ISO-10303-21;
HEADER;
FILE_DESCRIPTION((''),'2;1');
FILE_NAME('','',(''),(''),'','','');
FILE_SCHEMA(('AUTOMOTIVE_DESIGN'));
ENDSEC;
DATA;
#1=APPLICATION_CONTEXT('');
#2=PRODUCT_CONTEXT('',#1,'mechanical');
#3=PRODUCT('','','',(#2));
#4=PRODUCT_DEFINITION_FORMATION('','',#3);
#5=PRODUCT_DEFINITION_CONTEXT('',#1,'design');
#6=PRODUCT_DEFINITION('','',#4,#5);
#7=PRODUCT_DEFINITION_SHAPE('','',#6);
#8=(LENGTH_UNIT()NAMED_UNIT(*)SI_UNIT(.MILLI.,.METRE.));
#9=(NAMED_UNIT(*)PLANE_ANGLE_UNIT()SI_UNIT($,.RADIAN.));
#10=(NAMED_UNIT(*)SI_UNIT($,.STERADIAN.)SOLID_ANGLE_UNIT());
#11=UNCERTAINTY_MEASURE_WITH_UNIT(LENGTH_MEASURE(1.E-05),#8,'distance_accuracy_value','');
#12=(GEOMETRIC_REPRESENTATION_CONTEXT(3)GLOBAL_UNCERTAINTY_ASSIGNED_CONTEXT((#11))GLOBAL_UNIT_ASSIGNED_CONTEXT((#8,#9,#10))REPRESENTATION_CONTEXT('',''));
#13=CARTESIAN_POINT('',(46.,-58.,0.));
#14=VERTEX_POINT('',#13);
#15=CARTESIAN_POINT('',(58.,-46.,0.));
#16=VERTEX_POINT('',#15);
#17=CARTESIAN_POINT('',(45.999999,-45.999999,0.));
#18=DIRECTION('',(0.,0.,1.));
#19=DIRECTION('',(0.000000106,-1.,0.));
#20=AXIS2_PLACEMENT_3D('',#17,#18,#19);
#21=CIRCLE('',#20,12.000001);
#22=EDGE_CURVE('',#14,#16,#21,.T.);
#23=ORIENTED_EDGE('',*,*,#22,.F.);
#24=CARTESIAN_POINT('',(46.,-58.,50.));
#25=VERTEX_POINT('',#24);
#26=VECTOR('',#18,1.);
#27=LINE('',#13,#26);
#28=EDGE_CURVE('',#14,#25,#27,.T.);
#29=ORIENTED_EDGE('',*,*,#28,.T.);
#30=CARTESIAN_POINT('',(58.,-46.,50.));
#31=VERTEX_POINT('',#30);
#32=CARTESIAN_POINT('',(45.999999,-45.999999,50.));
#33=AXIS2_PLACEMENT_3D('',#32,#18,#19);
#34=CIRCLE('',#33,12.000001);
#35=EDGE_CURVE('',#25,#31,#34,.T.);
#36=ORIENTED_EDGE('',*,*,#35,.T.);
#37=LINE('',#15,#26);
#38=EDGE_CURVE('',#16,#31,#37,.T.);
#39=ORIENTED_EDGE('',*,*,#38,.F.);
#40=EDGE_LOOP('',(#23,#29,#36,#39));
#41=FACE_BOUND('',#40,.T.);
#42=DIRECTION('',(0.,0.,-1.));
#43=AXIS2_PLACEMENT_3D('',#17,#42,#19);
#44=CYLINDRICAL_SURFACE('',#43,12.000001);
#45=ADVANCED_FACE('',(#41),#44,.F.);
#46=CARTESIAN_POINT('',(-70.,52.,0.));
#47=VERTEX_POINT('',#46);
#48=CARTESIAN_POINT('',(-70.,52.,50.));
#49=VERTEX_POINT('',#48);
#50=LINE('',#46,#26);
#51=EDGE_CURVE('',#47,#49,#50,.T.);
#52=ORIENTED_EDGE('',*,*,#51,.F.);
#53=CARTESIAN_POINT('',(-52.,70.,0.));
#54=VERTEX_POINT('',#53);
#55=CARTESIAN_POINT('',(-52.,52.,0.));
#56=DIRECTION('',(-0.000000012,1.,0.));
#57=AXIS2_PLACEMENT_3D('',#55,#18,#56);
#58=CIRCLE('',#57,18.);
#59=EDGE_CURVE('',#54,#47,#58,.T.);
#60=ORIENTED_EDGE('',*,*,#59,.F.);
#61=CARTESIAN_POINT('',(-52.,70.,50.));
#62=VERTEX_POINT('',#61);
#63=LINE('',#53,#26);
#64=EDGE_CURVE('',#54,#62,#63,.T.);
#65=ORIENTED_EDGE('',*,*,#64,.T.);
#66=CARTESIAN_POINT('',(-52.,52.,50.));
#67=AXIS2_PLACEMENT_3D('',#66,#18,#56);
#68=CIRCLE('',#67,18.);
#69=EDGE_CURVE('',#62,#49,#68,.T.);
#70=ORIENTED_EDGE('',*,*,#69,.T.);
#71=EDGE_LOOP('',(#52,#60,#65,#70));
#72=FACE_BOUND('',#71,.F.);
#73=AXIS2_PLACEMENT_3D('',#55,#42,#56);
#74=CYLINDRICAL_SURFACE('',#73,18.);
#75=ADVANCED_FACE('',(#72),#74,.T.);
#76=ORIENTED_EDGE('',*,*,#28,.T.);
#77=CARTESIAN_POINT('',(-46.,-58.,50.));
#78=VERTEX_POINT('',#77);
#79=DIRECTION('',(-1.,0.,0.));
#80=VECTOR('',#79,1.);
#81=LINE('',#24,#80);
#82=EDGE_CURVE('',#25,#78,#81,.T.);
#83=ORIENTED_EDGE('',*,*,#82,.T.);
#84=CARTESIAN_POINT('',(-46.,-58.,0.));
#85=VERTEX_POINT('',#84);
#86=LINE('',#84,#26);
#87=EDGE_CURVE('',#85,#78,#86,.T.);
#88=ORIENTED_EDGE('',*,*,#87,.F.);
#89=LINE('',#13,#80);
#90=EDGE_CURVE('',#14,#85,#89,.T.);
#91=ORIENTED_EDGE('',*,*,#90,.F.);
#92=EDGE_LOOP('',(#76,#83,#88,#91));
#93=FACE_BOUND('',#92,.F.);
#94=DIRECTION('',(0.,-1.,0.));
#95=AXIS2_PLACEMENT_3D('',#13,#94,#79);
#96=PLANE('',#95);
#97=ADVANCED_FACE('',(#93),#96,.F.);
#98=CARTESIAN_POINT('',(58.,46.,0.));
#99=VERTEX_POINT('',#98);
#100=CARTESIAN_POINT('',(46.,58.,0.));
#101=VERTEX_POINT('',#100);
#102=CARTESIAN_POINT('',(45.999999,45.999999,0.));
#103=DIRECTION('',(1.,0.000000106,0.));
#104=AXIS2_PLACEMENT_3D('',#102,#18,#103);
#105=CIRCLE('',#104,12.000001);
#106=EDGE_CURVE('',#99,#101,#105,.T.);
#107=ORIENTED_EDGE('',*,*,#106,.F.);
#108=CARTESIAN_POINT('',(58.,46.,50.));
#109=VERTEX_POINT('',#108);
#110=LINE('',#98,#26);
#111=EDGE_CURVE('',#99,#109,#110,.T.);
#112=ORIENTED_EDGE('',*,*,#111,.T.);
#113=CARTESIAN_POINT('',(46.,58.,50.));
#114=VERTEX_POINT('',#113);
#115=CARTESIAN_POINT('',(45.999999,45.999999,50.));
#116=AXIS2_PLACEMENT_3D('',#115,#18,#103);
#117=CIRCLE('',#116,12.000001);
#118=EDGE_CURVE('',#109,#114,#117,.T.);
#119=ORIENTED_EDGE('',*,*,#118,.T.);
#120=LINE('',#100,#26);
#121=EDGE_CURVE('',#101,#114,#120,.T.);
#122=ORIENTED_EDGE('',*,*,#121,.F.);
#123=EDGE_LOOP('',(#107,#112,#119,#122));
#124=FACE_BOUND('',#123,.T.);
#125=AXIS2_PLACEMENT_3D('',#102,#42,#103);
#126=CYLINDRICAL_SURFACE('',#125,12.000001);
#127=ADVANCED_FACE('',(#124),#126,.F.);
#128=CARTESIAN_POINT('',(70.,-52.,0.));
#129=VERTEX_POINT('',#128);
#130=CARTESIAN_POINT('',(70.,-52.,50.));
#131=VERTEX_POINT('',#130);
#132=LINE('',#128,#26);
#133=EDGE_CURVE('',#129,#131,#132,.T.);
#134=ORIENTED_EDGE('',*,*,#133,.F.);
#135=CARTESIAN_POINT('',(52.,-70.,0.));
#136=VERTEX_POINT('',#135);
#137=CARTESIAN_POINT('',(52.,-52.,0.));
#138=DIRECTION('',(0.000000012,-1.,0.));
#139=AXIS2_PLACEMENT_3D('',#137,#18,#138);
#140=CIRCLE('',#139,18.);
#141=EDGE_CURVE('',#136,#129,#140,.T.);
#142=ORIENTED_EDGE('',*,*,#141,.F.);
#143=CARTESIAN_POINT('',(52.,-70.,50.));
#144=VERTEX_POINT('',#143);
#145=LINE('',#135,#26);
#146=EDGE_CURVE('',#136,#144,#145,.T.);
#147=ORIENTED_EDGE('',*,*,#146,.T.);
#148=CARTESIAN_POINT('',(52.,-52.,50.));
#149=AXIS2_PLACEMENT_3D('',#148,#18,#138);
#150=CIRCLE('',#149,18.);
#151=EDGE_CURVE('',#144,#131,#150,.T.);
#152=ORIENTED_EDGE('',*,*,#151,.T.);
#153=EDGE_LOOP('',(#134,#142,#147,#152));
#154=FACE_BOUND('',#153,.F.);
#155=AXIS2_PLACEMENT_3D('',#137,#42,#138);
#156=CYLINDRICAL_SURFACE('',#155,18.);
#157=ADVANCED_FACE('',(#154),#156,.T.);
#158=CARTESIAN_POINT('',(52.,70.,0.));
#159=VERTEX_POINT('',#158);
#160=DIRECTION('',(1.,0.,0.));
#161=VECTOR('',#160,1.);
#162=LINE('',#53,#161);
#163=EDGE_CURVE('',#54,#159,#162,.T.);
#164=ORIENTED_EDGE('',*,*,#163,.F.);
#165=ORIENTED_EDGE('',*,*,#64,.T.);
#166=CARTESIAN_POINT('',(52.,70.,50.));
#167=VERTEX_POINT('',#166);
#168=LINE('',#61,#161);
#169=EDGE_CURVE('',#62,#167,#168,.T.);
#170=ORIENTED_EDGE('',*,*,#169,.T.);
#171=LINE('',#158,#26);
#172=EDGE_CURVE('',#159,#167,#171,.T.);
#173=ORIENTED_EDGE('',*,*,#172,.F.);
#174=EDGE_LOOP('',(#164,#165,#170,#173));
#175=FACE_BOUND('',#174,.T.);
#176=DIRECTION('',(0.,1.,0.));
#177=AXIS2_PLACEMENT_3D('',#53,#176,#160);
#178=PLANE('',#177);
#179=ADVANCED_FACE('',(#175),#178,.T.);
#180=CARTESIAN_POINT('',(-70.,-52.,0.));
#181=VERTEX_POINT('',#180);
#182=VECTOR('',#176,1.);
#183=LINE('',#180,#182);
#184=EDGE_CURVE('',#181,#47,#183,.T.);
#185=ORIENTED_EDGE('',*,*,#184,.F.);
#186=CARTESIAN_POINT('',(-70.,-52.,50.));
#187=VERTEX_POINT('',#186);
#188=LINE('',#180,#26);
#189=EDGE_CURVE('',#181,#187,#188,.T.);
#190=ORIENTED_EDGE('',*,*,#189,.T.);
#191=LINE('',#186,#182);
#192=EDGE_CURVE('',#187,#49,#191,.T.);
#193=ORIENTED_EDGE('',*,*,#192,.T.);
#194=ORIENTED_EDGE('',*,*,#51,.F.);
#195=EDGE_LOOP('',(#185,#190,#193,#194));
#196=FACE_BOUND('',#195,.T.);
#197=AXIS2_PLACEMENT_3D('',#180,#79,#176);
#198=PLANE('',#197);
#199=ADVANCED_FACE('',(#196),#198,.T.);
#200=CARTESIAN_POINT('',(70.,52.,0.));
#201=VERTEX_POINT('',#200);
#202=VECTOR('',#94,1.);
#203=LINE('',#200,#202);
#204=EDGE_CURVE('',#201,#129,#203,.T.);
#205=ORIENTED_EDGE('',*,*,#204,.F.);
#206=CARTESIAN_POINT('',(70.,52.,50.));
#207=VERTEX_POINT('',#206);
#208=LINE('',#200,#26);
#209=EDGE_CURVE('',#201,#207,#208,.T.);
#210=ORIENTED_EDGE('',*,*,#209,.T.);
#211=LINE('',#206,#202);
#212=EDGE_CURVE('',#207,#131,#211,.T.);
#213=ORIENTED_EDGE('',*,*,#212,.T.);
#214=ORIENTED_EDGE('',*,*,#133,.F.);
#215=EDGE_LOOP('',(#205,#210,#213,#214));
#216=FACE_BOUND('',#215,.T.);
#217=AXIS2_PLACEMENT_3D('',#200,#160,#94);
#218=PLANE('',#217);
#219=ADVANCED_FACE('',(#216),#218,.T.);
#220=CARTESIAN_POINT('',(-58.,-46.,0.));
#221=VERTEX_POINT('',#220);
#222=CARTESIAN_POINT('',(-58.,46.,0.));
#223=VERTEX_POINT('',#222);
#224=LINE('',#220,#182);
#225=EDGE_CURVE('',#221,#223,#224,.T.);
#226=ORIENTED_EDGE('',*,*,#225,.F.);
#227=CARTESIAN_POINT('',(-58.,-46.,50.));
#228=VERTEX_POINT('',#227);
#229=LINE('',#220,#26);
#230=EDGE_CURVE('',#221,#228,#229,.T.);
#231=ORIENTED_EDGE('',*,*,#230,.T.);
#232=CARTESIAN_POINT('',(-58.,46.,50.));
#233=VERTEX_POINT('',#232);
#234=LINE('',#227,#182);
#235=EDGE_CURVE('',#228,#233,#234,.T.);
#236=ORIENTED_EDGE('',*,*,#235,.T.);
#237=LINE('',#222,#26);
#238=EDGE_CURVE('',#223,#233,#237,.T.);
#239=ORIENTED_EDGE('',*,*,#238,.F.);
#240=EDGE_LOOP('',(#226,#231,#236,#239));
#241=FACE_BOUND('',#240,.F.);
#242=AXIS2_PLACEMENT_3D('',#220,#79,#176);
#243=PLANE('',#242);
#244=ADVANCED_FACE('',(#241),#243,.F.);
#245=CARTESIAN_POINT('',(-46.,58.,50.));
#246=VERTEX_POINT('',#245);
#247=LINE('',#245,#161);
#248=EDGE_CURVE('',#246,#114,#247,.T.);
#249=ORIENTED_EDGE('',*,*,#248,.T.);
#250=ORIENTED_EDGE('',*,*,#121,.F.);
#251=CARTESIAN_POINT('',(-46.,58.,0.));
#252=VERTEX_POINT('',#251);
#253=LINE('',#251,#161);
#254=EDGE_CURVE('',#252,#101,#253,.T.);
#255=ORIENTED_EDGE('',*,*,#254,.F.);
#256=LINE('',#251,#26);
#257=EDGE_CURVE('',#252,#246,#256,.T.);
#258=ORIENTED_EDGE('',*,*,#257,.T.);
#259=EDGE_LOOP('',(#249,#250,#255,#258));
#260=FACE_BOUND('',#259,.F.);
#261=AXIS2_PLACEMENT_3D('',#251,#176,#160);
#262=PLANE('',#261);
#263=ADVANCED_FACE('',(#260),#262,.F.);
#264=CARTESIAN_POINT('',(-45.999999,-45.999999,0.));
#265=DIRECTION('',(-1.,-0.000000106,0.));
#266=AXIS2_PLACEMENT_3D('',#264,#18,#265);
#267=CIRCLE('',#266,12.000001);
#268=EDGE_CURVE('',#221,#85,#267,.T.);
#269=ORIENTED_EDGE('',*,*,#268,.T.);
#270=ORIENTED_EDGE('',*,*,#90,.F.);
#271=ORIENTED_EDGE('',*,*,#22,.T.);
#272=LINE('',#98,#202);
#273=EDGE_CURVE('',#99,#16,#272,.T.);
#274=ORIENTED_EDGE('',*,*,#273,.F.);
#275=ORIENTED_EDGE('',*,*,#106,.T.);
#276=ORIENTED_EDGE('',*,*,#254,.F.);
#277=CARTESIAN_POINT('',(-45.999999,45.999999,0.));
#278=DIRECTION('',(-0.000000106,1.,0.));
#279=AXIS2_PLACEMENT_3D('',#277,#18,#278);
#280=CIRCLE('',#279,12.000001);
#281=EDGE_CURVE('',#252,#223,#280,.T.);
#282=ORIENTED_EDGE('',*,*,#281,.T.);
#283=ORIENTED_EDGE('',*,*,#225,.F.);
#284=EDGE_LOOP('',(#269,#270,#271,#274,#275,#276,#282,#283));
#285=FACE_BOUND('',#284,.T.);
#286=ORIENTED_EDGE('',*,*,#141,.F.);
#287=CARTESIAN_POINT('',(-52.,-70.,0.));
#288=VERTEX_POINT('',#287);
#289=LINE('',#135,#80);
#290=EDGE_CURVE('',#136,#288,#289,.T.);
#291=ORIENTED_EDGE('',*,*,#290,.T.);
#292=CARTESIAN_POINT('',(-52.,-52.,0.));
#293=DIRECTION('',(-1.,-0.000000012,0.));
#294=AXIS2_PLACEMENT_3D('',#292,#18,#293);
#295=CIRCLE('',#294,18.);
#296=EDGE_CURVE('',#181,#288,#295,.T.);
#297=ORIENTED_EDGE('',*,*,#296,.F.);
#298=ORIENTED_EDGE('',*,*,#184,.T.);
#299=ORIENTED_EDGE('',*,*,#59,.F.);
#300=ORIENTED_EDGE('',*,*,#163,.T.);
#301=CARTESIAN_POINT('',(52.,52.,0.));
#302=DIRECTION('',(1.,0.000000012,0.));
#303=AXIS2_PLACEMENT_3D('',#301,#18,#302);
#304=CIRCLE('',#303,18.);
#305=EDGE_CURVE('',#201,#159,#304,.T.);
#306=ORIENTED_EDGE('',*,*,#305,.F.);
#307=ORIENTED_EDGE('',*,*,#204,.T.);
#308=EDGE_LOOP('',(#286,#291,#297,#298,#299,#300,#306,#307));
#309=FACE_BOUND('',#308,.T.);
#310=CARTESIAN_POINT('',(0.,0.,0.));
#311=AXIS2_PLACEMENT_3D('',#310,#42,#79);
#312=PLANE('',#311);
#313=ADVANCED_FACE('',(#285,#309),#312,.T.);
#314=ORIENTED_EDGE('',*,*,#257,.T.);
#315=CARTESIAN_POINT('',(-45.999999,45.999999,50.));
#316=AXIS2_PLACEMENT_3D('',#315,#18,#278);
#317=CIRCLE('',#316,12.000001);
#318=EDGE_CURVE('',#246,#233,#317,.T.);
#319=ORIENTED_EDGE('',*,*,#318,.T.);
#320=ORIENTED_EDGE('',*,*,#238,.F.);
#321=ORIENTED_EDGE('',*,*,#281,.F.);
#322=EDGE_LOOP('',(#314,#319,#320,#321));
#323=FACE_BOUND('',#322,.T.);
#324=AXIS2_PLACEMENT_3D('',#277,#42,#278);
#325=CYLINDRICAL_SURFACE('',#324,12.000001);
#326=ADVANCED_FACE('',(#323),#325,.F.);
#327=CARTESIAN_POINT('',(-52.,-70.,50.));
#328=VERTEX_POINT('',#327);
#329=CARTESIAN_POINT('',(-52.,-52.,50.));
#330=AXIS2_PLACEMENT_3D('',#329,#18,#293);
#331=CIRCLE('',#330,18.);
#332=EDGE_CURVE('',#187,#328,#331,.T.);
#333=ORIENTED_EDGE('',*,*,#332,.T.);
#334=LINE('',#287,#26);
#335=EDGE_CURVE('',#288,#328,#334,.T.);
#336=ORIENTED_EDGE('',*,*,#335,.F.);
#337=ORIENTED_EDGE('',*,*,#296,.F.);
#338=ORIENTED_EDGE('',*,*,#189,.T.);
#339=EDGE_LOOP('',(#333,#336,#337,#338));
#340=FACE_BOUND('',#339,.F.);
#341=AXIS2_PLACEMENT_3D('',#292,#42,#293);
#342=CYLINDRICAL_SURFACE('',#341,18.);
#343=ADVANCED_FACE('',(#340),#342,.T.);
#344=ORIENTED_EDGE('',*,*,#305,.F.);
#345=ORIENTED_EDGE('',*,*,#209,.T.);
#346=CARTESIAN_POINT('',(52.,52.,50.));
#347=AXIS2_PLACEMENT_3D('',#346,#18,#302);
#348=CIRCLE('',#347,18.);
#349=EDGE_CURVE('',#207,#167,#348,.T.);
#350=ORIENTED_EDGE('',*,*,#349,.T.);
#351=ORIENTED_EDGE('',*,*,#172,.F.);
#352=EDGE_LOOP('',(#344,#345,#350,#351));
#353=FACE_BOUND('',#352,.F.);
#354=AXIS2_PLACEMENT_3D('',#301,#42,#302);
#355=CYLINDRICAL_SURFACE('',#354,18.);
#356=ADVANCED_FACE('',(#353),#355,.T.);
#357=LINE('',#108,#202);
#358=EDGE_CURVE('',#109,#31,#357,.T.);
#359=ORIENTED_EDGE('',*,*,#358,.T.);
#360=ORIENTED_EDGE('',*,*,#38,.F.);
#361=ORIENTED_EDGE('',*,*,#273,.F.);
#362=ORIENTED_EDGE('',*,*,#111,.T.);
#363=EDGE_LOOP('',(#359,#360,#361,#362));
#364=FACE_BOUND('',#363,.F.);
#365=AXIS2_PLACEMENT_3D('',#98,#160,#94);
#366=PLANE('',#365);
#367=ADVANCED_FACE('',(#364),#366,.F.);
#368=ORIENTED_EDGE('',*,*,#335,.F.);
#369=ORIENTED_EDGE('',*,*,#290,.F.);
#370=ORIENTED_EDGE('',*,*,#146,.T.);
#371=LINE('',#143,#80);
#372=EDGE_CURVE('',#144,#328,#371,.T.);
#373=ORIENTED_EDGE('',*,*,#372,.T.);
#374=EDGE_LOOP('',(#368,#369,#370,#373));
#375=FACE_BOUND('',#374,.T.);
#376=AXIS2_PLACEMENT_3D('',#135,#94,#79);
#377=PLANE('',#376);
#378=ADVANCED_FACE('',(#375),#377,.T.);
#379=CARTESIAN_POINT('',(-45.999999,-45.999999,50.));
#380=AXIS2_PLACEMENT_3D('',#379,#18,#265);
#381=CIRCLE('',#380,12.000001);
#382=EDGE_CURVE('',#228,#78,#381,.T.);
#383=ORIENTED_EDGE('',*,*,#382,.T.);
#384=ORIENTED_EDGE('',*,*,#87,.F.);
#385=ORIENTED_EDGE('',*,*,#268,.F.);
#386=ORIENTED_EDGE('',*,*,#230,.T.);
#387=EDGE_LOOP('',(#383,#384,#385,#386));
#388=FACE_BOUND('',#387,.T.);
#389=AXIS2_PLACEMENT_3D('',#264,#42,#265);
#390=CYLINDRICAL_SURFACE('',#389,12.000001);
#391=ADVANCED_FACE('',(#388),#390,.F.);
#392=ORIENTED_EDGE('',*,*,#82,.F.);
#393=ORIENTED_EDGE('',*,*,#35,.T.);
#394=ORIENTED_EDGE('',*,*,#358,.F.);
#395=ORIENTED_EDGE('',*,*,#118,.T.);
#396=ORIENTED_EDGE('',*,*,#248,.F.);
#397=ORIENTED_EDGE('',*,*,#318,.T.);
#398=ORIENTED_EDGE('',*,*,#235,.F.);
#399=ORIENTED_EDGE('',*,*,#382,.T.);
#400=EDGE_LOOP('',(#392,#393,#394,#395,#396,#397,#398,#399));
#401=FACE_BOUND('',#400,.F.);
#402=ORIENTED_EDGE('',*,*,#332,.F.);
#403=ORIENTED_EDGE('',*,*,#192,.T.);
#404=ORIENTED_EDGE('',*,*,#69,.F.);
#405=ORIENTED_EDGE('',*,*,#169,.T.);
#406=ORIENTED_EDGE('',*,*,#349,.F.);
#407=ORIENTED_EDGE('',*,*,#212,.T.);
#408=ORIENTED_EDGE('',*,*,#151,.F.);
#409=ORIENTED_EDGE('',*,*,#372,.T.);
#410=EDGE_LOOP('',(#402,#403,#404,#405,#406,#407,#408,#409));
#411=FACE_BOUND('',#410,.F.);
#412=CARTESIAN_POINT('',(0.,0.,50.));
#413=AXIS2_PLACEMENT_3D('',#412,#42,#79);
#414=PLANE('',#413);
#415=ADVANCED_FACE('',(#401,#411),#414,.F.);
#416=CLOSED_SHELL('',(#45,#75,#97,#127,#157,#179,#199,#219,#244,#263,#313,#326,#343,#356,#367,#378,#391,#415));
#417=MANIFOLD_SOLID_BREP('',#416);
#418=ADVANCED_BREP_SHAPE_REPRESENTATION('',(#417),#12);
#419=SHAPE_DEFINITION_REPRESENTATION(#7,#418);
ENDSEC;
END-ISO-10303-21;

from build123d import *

# Parameters (mm, degrees)
EXTRUDE_DEPTH = 50


with BuildPart() as part:
    # Sketch → Extrude (new body)
    with BuildSketch(Plane.XY):
        with BuildLine():
            Line((-52, 70), (52, 70))
            ThreePointArc((70, 52), (64.727922, 64.727922), (52, 70))
            Line((70, 52), (70, -52))
            ThreePointArc((52, -70), (64.727922, -64.727922), (70, -52))
            Line((52, -70), (-52, -70))
            ThreePointArc((-70, -52), (-64.727922, -64.727922), (-52, -70))
            Line((-70, -52), (-70, 52))
            ThreePointArc((-52, 70), (-64.727922, 64.727922), (-70, 52))
        make_face()
        with BuildLine():
            Line((-46, 58), (46, 58))
            ThreePointArc((58, 46), (54.485281, 54.485281), (46, 58))
            Line((58, 46), (58, -46))
            ThreePointArc((46, -58), (54.485281, -54.485281), (58, -46))
            Line((46, -58), (-46, -58))
            ThreePointArc((-58, -46), (-54.485281, -54.485281), (-46, -58))
            Line((-58, -46), (-58, 46))
            ThreePointArc((-46, 58), (-54.485281, 54.485281), (-58, 46))
        make_face(mode=Mode.SUBTRACT)
    extrude(amount=EXTRUDE_DEPTH)


solid = part.part
